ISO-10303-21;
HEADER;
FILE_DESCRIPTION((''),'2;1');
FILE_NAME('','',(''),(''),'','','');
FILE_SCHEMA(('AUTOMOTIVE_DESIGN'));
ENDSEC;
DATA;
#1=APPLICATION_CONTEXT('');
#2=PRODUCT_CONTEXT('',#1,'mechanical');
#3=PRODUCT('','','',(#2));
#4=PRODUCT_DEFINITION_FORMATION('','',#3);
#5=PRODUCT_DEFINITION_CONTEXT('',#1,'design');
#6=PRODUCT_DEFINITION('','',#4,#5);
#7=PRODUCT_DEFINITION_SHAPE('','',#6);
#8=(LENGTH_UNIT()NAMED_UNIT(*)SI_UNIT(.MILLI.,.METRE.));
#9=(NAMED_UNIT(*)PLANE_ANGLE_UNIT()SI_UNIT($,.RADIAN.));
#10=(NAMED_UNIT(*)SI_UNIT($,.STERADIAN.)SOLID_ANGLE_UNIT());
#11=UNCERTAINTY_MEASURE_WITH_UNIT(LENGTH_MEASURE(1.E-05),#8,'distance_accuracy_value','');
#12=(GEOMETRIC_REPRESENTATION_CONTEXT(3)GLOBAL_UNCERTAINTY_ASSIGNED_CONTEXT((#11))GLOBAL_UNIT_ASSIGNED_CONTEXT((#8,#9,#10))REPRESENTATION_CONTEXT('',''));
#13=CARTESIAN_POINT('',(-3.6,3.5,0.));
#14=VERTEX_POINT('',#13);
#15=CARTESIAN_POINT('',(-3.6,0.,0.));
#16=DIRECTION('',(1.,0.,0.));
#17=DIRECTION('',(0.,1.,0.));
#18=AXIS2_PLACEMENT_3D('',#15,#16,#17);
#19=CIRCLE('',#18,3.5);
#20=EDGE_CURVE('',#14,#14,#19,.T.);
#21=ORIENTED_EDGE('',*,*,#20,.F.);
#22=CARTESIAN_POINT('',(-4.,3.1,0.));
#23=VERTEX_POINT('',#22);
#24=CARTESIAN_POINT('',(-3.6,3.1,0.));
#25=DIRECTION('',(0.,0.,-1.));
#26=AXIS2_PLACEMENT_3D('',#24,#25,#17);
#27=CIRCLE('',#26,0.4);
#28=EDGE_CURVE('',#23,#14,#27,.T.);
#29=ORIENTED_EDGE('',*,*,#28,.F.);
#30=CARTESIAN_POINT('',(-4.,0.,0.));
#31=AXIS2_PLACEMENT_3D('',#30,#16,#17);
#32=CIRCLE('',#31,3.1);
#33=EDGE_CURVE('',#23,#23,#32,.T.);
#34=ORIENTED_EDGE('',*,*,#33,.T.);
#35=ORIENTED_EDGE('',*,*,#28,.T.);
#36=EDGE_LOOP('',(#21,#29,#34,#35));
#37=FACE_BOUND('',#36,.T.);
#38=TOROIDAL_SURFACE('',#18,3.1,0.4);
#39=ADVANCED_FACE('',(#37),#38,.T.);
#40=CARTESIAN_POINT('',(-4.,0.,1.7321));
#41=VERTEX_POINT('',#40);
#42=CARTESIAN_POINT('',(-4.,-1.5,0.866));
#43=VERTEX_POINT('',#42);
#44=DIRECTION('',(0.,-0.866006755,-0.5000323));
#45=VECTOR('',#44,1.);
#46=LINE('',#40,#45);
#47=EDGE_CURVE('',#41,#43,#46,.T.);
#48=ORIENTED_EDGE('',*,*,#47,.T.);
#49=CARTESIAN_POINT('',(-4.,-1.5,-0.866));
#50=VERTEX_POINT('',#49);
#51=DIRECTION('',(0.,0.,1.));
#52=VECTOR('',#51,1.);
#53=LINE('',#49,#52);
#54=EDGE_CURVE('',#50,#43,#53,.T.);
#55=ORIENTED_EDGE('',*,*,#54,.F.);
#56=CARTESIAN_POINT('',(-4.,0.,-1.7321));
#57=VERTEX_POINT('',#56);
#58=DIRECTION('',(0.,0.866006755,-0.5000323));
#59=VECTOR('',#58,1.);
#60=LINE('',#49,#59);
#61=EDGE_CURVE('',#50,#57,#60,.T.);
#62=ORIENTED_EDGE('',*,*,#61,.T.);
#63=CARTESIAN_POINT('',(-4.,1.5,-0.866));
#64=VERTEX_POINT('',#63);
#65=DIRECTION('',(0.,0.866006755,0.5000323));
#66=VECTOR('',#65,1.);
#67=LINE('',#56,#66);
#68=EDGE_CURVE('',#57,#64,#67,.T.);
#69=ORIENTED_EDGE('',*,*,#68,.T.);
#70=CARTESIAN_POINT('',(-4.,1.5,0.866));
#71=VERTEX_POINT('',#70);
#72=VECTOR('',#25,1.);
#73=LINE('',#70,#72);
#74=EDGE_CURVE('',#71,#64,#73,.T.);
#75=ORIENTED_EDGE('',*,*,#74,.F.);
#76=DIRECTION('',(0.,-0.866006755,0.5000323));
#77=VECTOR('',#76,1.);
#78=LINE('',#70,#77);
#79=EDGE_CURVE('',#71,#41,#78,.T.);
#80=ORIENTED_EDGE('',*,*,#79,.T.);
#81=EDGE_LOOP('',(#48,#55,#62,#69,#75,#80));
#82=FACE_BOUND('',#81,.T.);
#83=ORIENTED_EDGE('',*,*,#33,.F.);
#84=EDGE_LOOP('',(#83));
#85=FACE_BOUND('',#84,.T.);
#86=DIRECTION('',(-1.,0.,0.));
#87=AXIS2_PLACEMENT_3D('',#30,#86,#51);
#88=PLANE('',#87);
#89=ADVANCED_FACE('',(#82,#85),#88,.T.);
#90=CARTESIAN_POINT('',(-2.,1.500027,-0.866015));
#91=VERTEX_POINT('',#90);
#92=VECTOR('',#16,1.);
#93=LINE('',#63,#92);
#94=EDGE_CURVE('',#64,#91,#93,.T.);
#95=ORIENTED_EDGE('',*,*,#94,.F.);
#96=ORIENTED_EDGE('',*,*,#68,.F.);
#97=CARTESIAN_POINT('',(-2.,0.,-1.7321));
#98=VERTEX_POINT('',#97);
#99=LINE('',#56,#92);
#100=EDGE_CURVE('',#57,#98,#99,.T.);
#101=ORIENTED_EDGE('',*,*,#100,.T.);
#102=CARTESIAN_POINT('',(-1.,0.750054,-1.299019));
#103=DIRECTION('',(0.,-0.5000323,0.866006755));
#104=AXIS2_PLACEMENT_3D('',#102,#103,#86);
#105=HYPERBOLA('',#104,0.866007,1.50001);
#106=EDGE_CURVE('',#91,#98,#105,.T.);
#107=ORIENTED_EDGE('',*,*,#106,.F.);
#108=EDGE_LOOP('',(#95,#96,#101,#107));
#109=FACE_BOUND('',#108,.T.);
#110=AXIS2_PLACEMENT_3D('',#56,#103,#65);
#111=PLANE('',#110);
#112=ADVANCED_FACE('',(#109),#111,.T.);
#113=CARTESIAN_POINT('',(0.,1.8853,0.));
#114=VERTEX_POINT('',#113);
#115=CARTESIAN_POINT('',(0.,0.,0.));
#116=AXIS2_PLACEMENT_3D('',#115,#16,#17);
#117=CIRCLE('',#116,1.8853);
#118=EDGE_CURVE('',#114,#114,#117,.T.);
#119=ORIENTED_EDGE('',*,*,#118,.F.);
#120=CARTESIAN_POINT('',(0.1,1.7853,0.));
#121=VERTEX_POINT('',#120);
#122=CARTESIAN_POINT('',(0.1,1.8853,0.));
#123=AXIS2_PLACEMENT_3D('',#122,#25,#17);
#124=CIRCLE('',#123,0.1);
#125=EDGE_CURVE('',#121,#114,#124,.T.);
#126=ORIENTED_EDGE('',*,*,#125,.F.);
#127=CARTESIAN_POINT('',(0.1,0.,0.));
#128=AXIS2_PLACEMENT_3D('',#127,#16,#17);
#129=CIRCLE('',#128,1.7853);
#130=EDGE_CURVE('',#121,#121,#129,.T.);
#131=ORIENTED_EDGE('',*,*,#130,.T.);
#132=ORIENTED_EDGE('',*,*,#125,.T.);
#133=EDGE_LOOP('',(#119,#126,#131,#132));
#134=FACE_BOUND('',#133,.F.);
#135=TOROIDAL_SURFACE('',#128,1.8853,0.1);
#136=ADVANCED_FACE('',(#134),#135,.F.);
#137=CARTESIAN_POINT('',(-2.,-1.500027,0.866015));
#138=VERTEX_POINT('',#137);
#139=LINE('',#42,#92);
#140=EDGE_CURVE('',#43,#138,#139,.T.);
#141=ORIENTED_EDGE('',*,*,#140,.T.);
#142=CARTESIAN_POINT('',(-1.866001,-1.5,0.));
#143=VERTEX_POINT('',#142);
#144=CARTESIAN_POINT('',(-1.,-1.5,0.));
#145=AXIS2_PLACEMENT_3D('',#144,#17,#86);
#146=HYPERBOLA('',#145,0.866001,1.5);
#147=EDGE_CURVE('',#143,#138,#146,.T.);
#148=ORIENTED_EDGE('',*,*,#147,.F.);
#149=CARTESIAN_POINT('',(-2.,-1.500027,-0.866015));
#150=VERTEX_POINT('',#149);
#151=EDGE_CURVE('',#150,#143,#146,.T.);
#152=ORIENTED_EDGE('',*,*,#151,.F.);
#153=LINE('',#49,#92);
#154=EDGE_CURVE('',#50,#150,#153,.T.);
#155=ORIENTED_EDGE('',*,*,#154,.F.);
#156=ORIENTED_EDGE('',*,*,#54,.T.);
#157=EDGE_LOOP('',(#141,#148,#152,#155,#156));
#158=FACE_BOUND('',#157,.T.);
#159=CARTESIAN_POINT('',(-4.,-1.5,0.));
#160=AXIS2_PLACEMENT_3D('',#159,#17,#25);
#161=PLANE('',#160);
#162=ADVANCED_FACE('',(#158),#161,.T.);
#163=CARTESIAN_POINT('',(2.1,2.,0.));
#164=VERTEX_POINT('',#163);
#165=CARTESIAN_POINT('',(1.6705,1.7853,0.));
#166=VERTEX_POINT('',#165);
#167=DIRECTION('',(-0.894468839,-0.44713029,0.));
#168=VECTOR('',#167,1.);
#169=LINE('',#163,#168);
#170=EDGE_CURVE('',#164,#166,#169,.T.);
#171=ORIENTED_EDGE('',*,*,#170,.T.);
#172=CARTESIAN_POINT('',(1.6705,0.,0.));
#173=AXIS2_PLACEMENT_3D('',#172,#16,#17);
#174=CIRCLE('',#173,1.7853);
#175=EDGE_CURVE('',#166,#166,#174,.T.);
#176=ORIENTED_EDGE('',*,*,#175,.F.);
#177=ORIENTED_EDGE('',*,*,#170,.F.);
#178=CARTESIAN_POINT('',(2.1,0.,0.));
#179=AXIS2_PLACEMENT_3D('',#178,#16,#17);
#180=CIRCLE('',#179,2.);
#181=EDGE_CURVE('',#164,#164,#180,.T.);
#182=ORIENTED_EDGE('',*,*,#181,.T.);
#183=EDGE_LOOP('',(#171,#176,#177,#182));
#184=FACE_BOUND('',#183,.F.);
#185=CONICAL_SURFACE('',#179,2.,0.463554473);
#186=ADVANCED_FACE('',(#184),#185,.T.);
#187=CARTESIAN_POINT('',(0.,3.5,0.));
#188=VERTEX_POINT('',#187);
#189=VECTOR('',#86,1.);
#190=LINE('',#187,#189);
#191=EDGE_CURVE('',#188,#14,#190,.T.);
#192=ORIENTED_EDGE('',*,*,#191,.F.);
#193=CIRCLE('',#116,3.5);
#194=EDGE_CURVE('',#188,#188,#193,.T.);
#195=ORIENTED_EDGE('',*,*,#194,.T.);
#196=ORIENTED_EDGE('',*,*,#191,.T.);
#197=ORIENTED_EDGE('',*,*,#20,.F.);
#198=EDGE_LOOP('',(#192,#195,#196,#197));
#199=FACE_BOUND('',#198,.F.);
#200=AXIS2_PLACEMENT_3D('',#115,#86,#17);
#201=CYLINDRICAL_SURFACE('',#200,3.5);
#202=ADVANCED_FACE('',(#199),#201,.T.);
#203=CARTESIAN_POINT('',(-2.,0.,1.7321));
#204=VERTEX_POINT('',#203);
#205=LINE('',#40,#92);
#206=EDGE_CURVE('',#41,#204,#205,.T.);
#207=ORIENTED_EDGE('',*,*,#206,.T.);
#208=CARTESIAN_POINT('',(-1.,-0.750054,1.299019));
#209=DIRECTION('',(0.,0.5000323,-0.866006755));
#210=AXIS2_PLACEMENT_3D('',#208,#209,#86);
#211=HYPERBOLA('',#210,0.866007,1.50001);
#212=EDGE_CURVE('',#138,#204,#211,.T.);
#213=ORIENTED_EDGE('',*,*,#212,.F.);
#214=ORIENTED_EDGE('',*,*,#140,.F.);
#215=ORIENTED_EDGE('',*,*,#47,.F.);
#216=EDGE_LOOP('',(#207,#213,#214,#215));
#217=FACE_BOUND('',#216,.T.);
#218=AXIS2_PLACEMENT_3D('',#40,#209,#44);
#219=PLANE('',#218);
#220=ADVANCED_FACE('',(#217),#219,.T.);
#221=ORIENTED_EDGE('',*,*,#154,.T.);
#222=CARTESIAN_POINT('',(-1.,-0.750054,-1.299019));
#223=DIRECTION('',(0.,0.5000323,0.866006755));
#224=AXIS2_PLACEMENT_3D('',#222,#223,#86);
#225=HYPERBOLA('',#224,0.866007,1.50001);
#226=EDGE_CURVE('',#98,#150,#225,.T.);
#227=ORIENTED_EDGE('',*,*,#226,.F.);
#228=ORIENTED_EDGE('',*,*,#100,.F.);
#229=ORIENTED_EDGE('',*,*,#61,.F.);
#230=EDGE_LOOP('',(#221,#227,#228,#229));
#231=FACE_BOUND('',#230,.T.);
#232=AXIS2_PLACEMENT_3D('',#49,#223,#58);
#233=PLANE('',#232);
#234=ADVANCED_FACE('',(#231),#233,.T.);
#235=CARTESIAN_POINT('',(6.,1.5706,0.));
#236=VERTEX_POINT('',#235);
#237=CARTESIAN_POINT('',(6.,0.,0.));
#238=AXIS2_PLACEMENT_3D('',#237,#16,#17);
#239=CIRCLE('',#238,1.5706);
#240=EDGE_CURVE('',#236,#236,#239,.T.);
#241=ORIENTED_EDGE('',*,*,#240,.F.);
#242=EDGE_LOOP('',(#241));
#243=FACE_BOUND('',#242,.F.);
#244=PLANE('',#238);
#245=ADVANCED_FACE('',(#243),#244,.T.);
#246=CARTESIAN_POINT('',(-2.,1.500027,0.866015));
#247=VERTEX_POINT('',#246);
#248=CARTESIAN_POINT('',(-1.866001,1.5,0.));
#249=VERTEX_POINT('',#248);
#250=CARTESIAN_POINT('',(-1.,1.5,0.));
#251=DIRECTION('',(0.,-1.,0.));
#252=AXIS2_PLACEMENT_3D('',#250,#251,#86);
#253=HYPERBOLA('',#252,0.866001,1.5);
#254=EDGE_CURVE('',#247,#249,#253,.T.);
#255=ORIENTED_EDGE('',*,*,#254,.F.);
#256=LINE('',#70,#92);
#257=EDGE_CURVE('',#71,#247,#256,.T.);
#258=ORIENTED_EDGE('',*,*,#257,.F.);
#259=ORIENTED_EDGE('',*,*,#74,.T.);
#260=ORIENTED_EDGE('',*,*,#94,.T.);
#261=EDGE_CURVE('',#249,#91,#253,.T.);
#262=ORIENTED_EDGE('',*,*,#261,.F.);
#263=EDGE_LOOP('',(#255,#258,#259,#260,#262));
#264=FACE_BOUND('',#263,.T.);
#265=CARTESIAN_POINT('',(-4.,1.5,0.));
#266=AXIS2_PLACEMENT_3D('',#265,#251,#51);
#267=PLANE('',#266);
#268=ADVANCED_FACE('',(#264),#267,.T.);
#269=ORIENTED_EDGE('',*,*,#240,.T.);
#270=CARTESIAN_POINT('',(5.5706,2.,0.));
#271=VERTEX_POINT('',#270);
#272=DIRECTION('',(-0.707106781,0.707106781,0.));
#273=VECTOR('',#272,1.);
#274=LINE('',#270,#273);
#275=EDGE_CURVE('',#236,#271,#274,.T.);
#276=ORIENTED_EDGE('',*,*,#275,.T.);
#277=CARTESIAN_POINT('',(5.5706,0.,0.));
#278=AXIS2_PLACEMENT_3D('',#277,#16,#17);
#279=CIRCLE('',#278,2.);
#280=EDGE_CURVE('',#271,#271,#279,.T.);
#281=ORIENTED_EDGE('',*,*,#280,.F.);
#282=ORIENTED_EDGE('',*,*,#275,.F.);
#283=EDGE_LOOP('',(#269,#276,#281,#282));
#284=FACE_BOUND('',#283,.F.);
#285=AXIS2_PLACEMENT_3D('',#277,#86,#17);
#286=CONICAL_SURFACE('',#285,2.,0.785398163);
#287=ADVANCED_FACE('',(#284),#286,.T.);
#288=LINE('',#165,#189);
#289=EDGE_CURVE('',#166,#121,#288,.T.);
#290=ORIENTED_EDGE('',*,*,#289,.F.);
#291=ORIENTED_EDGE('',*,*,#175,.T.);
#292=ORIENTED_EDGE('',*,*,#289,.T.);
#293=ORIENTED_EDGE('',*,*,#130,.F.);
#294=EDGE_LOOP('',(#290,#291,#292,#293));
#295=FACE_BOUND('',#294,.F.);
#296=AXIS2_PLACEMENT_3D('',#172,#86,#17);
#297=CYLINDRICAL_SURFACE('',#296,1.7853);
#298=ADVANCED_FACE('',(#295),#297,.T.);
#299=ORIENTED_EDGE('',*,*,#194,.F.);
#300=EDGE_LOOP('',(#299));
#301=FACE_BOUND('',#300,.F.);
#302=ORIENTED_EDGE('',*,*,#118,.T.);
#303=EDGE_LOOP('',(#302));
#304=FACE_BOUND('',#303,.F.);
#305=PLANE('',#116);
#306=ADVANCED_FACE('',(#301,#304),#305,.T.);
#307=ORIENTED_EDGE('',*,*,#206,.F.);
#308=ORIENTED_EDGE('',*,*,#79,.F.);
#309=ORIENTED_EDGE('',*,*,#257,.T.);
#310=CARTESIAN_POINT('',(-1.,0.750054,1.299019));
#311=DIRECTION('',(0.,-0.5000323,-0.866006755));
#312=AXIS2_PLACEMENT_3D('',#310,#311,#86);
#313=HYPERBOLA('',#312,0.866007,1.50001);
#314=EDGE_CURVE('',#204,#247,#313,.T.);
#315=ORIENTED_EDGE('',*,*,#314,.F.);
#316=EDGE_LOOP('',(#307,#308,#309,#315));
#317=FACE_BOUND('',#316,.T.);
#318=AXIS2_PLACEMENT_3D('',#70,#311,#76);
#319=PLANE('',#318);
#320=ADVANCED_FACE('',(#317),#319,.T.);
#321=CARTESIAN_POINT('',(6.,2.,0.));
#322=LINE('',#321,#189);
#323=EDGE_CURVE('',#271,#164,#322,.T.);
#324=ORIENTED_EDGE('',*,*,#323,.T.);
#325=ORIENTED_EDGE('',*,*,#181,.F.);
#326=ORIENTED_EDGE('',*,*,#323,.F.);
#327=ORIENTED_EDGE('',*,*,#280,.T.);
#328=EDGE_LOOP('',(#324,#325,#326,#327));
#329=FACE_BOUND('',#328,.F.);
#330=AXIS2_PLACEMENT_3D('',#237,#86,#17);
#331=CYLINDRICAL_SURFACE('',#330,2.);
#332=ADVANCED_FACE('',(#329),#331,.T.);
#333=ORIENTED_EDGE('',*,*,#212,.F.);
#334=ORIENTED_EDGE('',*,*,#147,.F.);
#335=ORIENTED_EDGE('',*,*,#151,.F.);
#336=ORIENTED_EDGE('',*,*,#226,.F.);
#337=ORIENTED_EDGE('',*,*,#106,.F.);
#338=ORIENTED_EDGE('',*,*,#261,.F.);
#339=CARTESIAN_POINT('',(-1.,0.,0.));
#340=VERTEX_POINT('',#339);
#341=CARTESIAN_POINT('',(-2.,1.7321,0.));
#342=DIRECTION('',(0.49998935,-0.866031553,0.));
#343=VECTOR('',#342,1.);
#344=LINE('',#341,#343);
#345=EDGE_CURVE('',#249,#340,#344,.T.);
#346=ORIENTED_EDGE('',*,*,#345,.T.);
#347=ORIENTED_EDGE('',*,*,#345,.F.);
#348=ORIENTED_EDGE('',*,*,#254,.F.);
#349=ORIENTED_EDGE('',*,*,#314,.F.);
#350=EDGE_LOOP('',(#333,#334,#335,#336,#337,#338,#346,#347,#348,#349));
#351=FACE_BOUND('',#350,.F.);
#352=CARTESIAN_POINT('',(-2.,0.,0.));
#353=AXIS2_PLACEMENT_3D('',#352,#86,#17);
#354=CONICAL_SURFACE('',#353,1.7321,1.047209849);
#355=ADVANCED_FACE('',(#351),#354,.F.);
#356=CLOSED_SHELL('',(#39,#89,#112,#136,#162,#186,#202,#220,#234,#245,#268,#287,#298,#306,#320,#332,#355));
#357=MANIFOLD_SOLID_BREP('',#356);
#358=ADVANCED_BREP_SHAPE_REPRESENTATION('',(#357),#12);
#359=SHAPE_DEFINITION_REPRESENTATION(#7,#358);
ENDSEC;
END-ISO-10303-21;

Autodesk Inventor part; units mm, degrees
ref_plane "YZ Plane" through (0, 0, 0) normal (1, 0, 0) x (0, 1, 0)
ref_plane "XZ Plane" through (0, 0, 0) normal (0, 1, 0) x (-1, 0, 0)
sketch "Эскиз1" plane through (0, 0, 0) normal (0, 0, 1) x (1, 0, 0)
  line L0 (-1, 0) -> (6, 0)
  line L1 (6, 0) -> (6, 2)
  line L2 (6, 2) -> (2.1, 2)
  line L3 (2.1, 2) -> (1.6705, 1.7853)
  line L4 (1.6705, 1.7853) -> (0, 1.7853)
  line L5 (0, 1.7853) -> (0, 3.5)
  line L6 (0, 3.5) -> (-4, 3.5)
  line L7 (-4, 3.5) -> (-4, 1.7321)
  line L8 (-4, 1.7321) -> (-2, 1.7321)
  line L9 (-2, 1.7321) -> (-1, 0)
  line L10 (-6, 0) -> (8, 0) projected
  line L11 (0, -0.7) -> (0, 4.2) projected
  line L12 (2.1, 2) -> (0, 2) construction
  dimension "d1" = 3.9
  dimension "d2" = 0.4295
  dimension "d3" = 4
  dimension "d4" = 2
  dimension "d5" = 60
  dimension "d6" = 4
  dimension "d7" = 3.5705
  dimension "d8" = 3.4641
  dimension "d9" = 7
  dimension "d26" = 6
revolve "Базовый элемент" add sketch "Эскиз1" angle 360 about axis through (-1, 0, 0) along (1, 0, 0)
sketch "Эскиз2" plane through (-4, 0, 0) normal (-1, 0, 0) x (0, 0, 1)
  circle A0 centre (0, 0) radius 1.7321 projected
  line L0 (0, -4.9) -> (0, 4.9) projected
  line L1 (-4.9, 0) -> (4.9, 0) projected
  line L2 (1.7321, 0) -> (0.866, -1.5)
  line L3 (0.866, -1.5) -> (-0.866, -1.5)
  line L4 (-0.866, -1.5) -> (-1.7321, 0)
  line L5 (-1.7321, 0) -> (-0.866, 1.5)
  line L6 (-0.866, 1.5) -> (0.866, 1.5)
  line L7 (0.866, 1.5) -> (1.7321, 0)
extrude "Паз" add sketch "Эскиз2" against normal up to next contours L7 A0 | A0 L2 | L6 L0 A0 | A0 L0 L3 | L0 L6 A0 | A0 L3 L0 | L4 A0 | A0 L5
fillet "Сопряжение1" radius 0.4 1 edges at (-4, -3.5, 0)
thread "Резьба" size "M4x0.7" class "6g" standard "ISO Metric profile" length 3.9
chamfer "Фаска1" distance 0.4294 distance2 0.4294 1 edges at (6, -2, 0) measured on face at (6, 0.556, 0.0273)
ref_plane "Work Plane1" through (29, 0, 0) normal (0, -1, 0) x (1, 0, 0)
fillet "Fillet2" radius 0.1 1 edges at (0, -1.7853, 0)
equation "\"d1\" = GEL"
equation "\"d3\" = KOH"
equation "\"d4\" = INTI"
equation "\"d6\" = GD"
equation "\"d7\" = BDM"
equation "\"d8\" = 1.1547 * SW"
equation "\"d9\" = KOD"
equation "\"d26\" = NLG"
equation "\"d30\" = R"
equation "\"d17\" = RR"
equation "\"d13\" = GEL"
equation "\"d15\" = -0.5 * SPD + 0.5 * GD"
equation "\"d16\" = GUL"
equation "\"GD\" = NND"
equation "\"NLG\" = 6"
equation "\"GEL\" = 3.9"
equation "\"KOD\" = 7"
equation "\"KOH\" = NND"
equation "\"INTI\" = 2"
equation "\"GAL\" = 0.61345 * PTC"
equation "\"GUL\" = 0.61345 * PTC"
equation "\"BDM\" = 3.5705"
equation "\"SW\" = 3"
equation "\"RR\" = 0.4"
equation "\"SPD\" = NND - 1.2269 * PTC"
equation "\"R\" = 0.1"
equation "\"PHH\" = 0.4"
equation "\"GD1\" = THREADDIA - 1.2269 * PTC"
equation "\"THREADDIA\" = 4"
equation "\"FAWI\" = 45deg"
equation "\"PTC\" = 0.7"
equation "\"NND\" = 4"
equation "\"TOA\" = 30deg"
equation "\"E0\" = 1.155 * SW"
properties part number "CSN 02 1143 - M4 x 6" material "Сталь, мягкая"
